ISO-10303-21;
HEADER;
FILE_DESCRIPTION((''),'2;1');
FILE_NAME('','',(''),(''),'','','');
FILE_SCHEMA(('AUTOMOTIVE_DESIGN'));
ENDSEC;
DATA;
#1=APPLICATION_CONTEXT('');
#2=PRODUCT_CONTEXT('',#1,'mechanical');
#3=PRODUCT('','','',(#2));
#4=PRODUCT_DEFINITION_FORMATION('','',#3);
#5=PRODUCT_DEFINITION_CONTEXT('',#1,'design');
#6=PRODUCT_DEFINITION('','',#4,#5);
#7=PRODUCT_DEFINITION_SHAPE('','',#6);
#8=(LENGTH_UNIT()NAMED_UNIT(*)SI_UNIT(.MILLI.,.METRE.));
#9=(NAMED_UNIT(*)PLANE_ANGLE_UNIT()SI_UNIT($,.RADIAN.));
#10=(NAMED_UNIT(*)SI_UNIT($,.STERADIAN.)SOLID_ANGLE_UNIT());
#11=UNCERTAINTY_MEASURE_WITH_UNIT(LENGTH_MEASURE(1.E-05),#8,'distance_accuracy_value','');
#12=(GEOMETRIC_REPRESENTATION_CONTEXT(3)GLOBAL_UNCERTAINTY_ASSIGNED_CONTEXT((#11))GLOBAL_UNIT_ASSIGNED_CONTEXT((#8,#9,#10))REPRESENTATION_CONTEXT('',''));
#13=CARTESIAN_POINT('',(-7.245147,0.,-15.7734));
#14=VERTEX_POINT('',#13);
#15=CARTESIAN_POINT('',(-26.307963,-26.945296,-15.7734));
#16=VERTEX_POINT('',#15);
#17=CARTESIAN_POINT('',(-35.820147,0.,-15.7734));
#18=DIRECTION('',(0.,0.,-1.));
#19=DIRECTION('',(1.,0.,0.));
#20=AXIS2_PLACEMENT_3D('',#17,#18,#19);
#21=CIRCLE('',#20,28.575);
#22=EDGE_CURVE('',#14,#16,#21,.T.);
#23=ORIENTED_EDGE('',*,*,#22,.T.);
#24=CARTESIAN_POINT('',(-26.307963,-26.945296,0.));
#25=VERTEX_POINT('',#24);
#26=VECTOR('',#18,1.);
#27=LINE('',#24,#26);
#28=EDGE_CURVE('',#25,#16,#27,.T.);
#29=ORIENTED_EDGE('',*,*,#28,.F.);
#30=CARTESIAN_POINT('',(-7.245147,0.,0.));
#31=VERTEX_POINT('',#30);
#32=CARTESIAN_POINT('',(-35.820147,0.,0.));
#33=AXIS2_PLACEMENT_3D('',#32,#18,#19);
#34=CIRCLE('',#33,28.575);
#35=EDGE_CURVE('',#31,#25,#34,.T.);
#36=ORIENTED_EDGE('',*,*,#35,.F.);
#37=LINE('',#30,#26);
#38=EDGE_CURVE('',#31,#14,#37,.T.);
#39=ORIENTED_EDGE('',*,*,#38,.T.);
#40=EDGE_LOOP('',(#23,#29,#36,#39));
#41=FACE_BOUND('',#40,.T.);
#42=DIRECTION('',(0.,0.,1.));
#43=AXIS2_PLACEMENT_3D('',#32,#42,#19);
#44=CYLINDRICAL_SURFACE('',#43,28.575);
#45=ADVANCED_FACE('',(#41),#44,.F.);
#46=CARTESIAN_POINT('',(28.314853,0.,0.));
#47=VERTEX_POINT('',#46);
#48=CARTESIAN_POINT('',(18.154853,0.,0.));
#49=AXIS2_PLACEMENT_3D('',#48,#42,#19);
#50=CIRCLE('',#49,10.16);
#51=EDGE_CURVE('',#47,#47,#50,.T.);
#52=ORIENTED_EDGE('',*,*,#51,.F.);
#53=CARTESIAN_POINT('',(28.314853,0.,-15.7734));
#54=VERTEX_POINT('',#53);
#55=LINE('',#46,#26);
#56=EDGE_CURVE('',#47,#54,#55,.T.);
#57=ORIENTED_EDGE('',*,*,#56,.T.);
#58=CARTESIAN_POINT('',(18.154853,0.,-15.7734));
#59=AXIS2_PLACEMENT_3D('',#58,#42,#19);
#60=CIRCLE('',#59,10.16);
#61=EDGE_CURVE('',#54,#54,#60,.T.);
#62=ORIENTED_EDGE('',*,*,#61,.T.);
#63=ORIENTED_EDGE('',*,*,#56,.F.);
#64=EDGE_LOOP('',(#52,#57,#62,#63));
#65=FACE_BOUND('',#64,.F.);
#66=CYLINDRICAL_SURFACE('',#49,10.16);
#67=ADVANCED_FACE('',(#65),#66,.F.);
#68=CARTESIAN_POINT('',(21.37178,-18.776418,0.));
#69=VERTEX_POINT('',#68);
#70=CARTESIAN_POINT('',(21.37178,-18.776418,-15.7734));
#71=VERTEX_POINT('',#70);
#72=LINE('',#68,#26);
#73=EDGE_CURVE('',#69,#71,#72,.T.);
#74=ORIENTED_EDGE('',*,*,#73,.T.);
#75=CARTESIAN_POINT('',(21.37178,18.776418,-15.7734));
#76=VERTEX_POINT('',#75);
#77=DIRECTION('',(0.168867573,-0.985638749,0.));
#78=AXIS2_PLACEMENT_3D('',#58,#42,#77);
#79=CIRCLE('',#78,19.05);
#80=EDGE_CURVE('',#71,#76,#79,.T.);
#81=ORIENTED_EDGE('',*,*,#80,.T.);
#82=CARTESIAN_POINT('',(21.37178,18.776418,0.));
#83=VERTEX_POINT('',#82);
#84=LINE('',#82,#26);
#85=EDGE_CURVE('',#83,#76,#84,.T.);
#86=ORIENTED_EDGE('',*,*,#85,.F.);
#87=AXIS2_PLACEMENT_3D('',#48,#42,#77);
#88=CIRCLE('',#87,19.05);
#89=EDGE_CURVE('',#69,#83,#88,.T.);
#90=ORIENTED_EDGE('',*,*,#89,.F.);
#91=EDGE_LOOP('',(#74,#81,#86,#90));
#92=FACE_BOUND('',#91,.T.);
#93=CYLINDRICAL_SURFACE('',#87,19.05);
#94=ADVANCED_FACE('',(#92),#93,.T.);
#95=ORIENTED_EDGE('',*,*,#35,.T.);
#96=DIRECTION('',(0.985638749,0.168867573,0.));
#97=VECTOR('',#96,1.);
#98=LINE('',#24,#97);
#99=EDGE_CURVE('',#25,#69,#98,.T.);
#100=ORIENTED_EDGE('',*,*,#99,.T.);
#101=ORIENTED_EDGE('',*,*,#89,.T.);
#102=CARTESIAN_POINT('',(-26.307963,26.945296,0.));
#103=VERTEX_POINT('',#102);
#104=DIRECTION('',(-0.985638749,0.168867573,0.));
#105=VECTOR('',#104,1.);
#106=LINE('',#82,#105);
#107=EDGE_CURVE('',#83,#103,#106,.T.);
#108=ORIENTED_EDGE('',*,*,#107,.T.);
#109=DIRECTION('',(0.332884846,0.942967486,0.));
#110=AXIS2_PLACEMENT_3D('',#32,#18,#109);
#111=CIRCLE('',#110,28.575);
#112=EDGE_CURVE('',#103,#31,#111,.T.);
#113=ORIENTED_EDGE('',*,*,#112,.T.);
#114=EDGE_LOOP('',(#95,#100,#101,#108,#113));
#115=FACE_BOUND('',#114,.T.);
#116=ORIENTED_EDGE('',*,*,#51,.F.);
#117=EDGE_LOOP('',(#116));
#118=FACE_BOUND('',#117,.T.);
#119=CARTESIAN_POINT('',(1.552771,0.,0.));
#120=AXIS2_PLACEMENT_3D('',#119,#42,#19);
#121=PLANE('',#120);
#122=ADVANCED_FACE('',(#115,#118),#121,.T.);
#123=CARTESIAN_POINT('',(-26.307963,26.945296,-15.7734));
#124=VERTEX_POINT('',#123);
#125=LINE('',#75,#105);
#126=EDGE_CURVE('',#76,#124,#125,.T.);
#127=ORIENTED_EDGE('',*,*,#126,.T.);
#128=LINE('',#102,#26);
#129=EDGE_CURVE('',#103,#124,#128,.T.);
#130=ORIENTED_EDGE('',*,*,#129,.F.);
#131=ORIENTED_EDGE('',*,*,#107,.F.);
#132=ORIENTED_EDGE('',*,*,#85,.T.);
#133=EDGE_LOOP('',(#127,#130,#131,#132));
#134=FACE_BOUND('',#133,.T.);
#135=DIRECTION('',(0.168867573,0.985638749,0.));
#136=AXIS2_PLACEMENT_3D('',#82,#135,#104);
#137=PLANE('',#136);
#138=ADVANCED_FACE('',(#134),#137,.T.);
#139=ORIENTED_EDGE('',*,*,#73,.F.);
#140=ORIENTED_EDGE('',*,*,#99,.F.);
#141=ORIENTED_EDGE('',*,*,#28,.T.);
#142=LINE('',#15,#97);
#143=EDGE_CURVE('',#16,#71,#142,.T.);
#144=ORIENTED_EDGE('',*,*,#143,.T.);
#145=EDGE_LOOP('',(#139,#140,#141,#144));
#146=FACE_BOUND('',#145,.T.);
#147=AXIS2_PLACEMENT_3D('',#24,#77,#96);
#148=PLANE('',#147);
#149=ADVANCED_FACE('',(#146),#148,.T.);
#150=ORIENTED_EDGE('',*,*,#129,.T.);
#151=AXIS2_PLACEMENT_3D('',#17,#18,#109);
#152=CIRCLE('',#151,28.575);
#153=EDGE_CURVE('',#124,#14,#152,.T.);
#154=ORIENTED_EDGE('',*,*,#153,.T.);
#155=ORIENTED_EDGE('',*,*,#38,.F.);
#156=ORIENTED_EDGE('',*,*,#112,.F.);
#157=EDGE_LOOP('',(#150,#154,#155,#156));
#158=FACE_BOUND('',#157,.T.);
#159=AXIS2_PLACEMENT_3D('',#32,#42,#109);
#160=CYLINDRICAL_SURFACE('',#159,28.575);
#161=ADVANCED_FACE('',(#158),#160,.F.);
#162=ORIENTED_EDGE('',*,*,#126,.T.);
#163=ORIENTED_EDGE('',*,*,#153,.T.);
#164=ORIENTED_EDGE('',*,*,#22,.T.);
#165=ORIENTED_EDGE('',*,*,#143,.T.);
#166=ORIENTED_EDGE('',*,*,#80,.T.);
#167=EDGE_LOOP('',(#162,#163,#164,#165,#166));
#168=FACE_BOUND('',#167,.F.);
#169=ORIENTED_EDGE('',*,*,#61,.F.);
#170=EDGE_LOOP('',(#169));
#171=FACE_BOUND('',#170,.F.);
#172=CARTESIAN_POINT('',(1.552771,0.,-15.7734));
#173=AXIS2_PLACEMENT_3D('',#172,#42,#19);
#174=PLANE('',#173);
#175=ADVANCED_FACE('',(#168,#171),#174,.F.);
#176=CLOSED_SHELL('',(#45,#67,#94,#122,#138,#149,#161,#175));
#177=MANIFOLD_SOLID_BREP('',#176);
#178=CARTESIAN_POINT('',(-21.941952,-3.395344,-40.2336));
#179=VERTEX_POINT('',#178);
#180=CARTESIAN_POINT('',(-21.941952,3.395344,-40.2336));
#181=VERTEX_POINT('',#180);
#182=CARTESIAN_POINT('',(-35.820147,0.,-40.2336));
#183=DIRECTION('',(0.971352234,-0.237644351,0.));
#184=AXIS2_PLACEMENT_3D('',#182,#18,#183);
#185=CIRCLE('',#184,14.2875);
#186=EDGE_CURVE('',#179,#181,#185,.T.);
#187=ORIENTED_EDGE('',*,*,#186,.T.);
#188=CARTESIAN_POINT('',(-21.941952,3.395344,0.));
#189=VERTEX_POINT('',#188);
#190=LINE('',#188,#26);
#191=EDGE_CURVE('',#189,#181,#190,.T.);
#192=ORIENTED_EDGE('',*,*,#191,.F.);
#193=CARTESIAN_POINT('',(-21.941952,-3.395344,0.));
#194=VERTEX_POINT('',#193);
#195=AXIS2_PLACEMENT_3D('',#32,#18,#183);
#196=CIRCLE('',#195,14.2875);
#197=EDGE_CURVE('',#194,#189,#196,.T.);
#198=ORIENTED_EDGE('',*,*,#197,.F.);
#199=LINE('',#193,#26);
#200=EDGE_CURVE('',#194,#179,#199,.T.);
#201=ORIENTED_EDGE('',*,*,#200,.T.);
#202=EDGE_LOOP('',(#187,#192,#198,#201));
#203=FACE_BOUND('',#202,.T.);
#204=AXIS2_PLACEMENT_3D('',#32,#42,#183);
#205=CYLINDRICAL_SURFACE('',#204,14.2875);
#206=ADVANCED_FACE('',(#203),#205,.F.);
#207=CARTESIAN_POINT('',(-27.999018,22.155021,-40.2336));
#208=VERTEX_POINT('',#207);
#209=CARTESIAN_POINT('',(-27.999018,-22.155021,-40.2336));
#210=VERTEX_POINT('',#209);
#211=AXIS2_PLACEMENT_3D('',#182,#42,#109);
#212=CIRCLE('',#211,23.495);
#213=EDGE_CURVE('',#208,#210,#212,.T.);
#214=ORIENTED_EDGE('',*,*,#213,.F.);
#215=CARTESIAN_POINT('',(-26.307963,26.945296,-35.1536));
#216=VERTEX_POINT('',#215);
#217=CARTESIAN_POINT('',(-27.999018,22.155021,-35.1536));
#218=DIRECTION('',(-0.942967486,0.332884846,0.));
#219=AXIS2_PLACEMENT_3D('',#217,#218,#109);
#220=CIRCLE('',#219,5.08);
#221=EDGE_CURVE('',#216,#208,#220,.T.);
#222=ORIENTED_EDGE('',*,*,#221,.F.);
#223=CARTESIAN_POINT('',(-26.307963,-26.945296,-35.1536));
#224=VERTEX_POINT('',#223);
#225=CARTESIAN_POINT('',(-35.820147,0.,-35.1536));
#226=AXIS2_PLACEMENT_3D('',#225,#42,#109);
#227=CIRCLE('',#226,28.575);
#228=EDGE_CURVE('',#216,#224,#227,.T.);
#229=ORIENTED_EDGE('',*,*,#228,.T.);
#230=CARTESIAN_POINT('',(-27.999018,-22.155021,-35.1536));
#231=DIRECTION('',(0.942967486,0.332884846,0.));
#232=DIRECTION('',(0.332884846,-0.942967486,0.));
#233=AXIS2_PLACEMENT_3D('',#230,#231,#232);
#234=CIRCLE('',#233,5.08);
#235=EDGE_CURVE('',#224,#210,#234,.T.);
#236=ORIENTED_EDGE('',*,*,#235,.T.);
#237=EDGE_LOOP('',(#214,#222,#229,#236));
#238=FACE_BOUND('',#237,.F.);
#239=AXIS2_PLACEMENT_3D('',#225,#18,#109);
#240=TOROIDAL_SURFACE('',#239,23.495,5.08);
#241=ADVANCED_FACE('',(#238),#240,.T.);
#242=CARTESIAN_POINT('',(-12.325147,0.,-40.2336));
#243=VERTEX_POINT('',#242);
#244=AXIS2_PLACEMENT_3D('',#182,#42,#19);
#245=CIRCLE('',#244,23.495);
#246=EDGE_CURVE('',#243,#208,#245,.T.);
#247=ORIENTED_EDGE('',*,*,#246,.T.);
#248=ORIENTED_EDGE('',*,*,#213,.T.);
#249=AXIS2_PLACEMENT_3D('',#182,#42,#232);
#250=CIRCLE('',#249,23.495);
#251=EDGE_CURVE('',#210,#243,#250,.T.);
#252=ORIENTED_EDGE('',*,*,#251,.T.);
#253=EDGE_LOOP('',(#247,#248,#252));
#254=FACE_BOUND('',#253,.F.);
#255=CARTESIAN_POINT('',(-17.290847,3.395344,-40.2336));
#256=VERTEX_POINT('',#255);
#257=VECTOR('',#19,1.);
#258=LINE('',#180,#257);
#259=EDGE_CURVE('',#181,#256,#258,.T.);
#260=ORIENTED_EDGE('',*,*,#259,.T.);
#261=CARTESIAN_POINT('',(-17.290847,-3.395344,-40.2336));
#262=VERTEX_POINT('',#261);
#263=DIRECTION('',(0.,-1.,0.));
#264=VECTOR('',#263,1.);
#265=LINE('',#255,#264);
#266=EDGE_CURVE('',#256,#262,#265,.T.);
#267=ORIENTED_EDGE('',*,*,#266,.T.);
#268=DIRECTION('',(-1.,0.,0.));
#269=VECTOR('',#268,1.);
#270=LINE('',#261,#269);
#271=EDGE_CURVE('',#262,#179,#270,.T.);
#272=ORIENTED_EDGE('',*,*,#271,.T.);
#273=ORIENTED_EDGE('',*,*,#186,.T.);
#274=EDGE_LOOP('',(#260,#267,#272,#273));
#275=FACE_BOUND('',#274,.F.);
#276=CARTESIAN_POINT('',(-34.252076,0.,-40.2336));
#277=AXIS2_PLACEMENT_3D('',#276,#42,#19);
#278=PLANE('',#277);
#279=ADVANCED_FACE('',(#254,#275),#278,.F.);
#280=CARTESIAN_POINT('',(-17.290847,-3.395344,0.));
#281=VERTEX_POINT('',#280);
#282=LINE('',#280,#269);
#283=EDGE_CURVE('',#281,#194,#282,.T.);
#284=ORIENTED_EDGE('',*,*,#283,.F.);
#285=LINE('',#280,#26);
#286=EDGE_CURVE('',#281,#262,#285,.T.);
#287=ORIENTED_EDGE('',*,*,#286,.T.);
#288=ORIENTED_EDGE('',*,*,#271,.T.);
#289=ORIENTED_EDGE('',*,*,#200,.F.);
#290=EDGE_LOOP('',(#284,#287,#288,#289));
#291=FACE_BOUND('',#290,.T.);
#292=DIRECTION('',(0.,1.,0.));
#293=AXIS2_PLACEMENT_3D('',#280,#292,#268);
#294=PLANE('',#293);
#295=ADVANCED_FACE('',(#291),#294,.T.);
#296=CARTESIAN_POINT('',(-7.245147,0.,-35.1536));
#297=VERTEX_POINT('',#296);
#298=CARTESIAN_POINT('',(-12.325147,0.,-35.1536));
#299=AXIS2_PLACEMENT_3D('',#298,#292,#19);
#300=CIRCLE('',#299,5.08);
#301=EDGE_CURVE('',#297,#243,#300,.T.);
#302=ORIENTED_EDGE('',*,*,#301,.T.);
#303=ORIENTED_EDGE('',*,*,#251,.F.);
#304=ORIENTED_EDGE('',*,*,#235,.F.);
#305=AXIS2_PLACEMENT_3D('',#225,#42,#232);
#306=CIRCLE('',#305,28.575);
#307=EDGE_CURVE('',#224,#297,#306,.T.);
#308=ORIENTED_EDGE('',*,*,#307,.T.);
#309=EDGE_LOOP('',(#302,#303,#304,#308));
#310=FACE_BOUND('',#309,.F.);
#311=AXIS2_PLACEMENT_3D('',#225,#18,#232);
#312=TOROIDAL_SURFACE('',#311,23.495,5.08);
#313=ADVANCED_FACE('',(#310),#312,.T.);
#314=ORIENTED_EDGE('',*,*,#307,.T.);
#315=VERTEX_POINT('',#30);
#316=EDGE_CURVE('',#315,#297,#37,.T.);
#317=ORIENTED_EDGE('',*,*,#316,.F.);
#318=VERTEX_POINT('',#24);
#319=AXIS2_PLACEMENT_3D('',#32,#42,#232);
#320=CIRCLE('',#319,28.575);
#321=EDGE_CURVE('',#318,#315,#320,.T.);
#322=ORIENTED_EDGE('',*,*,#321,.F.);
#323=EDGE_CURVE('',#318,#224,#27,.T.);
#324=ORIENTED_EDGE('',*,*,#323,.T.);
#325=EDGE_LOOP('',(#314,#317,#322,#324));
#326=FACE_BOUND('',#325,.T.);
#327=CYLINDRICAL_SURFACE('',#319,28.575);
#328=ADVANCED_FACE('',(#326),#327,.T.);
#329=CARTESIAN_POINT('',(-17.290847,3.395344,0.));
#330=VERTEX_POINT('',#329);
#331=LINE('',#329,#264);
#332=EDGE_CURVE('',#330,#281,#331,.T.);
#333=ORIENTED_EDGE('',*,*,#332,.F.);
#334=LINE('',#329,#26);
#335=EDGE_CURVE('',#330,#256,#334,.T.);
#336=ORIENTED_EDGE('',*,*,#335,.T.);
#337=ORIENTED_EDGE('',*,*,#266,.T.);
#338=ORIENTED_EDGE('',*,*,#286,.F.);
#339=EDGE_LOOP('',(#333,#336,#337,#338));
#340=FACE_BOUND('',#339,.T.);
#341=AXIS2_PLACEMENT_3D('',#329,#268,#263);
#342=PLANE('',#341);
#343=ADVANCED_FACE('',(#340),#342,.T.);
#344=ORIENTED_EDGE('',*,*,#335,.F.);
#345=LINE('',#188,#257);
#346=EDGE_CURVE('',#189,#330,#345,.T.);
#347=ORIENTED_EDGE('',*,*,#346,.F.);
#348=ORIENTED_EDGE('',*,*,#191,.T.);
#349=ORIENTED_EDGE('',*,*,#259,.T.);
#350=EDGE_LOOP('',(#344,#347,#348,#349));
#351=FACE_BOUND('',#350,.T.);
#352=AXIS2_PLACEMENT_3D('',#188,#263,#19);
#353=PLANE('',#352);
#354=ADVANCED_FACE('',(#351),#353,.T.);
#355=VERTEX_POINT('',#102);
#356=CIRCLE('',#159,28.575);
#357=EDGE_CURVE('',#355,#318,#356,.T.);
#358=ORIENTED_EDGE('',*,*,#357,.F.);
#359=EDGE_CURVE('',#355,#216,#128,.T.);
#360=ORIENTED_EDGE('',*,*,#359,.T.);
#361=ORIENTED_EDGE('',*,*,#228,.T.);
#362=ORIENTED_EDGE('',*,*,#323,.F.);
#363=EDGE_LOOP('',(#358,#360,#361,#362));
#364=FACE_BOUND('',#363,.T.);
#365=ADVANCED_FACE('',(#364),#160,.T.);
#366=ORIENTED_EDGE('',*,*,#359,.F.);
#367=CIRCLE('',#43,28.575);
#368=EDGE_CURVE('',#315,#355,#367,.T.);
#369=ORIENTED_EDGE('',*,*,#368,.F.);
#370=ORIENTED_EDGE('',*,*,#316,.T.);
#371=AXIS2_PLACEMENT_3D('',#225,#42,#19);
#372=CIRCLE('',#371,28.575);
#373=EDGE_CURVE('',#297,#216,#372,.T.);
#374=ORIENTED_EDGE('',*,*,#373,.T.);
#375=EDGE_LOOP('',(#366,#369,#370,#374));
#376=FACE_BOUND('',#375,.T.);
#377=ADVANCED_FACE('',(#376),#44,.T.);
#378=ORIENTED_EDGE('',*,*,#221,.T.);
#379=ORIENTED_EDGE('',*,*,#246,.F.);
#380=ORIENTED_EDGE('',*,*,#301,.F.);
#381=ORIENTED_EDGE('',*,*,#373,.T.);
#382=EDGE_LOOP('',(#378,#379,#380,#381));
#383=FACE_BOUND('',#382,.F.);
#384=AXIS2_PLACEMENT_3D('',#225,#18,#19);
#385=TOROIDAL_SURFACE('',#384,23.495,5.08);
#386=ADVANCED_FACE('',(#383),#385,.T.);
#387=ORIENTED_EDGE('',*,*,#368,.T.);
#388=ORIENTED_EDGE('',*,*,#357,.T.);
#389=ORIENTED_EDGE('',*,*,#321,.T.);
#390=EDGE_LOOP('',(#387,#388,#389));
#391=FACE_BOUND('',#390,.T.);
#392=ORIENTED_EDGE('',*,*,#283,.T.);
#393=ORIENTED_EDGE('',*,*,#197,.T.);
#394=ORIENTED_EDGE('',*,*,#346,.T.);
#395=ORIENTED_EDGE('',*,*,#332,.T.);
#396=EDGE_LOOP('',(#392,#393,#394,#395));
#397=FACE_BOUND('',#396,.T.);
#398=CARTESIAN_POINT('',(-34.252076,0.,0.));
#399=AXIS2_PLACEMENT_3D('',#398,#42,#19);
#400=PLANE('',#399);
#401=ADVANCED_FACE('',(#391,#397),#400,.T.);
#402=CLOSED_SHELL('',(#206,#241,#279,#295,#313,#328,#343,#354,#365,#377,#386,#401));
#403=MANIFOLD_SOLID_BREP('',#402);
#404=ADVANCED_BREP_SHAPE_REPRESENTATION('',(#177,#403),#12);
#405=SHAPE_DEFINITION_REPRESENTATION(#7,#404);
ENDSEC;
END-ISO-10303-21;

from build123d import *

# Parameters (mm, degrees)
F0_R     = 25.4384663116
F1_DEPTH = 40.2336
F0_R_2   = 10.16
F2_DEPTH = 15.7734
F3_R     = 5.08


with BuildPart() as f1:
    # F0 (on Top) → F1 (new body)
    with BuildSketch(Plane.XY):
        with BuildLine():
            ThreePointArc((-26.3079627686, -26.9452959039), (-12.4926817167, -16.5033322905), (-7.2451472522, 0))
            ThreePointArc((-7.2451472522, 0), (-12.4926817167, 16.5033322905), (-26.3079627686, 26.9452959039))
            ThreePointArc((-26.3079627686, 26.9452959039), (-64.3951472522, 0), (-26.3079627686, -26.9452959039))
        make_face()
        with Locations((-35.8201472522, 0)):
            Circle(F0_R, mode=Mode.SUBTRACT)
        with Locations((-35.8201472522, 0)):
            Circle(F0_R)
        with BuildLine():
            ThreePointArc((-21.9419522094, -3.395343665), (-50.1076472522, 0), (-21.9419522094, 3.395343665))
            Line((-21.9419522094, 3.395343665), (-17.2908472522, 3.395343665))
            Line((-17.2908472522, 3.395343665), (-17.2908472522, -3.395343665))
            Line((-17.2908472522, -3.395343665), (-21.9419522094, -3.395343665))
        make_face(mode=Mode.SUBTRACT)
    extrude(amount=-F1_DEPTH)

    # F3
    f3_edges = [f1.edges().sort_by_distance(p)[0] for p in [
        (-64.395147, 0, -40.2336),
    ]]
    fillet(f3_edges, radius=F3_R)


with BuildPart() as f2:
    # F0 (on Top) → F2 (new body)
    with BuildSketch(Plane.XY):
        with BuildLine():
            ThreePointArc((-26.3079627686, 26.9452959039), (-12.4926817167, 16.5033322905), (-7.2451472522, 0))
            ThreePointArc((-7.2451472522, 0), (-12.4926817167, -16.5033322905), (-26.3079627686, -26.9452959039))
            Line((-26.3079627686, -26.9452959039), (21.3717800099, -18.7764181619))
            ThreePointArc((21.3717800099, -18.7764181619), (37.2048527478, 0), (21.3717800099, 18.7764181619))
            Line((21.3717800099, 18.7764181619), (-26.3079627686, 26.9452959039))
        make_face()
        with Locations((18.1548527478, 0)):
            Circle(F0_R_2, mode=Mode.SUBTRACT)
    extrude(amount=-F2_DEPTH)


solid = Compound([f1.part, f2.part])
